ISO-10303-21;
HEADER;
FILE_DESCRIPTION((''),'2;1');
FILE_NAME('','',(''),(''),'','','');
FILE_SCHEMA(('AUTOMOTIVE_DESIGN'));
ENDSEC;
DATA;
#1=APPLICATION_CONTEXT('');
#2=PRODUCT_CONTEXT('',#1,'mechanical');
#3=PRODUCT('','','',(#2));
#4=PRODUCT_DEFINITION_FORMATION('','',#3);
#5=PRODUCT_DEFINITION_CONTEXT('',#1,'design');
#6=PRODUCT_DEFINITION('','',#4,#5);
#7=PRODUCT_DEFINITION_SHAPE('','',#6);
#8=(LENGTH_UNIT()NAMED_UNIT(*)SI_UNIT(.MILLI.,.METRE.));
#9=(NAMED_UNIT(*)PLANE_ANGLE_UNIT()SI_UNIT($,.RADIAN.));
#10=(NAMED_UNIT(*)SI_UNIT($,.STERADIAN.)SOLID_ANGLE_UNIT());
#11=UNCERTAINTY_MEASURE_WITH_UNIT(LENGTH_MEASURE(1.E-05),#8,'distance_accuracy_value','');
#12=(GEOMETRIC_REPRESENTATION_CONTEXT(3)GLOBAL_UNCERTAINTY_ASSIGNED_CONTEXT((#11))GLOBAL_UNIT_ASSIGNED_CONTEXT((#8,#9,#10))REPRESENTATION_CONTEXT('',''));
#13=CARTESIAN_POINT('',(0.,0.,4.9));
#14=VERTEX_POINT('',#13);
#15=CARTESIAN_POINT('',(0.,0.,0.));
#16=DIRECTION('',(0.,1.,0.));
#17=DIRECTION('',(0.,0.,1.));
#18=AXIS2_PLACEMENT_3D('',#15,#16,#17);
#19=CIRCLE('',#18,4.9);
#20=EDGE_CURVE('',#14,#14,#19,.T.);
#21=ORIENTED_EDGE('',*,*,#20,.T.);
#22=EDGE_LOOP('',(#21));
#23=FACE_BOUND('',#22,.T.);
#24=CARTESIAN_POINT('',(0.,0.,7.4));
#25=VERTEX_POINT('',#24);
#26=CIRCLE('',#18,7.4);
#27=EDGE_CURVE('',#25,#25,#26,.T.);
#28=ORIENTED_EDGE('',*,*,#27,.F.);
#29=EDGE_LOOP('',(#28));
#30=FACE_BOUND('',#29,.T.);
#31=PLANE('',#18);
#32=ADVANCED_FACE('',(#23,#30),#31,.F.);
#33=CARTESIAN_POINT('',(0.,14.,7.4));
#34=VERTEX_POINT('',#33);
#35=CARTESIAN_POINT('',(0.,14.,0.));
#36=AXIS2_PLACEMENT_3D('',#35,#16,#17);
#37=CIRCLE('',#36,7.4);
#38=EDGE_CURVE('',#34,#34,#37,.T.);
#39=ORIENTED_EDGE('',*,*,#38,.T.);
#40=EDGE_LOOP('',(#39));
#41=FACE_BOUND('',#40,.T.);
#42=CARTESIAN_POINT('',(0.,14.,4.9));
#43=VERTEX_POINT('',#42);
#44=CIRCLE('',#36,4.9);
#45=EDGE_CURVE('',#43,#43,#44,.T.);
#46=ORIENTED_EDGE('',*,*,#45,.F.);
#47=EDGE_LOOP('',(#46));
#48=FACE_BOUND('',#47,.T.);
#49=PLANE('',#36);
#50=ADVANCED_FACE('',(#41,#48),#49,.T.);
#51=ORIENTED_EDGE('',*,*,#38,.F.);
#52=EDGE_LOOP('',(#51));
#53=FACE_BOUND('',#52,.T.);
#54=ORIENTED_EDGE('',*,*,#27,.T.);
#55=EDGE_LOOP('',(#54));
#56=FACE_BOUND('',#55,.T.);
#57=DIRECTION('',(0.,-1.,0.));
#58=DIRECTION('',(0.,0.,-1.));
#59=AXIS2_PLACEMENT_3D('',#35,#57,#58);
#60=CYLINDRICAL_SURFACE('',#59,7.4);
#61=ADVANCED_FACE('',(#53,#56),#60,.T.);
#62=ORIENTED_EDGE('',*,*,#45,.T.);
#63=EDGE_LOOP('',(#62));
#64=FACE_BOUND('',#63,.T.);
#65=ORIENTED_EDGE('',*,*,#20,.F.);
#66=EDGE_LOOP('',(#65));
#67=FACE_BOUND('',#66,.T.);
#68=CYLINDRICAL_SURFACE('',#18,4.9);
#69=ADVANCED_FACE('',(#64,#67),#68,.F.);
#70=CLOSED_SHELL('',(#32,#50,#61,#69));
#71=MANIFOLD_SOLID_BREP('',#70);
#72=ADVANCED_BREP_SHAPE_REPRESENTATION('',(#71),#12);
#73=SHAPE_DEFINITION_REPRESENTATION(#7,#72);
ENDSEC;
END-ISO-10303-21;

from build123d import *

# Parameters (mm, degrees)
SKETCH1_R           = 7.4
BOSS_EXTRUDE1_DEPTH = 14
SKETCH2_R           = 4.9
CUT_EXTRUDE1_DEPTH  = 18.479130413


with BuildPart() as part:
    # Sketch1 → Boss-Extrude1 (new body)
    with BuildSketch(Plane(origin=(0, 0, 0), x_dir=(1, 0, 0), z_dir=(0, 1, 0))):
        with Locations(Location((0, 0, 0), (0, 0, 270))):
            Circle(SKETCH1_R)
    extrude(amount=BOSS_EXTRUDE1_DEPTH)

    # Sketch2 → Cut-Extrude1 (cut, through all)
    with BuildSketch(Plane(origin=(0, 14, 0), x_dir=(1, 0, 0), z_dir=(0, 1, 0))):
        with Locations(Location((0, 0, 0), (0, 0, 270))):
            Circle(SKETCH2_R)
    extrude(amount=-CUT_EXTRUDE1_DEPTH, mode=Mode.SUBTRACT)


solid = part.part
